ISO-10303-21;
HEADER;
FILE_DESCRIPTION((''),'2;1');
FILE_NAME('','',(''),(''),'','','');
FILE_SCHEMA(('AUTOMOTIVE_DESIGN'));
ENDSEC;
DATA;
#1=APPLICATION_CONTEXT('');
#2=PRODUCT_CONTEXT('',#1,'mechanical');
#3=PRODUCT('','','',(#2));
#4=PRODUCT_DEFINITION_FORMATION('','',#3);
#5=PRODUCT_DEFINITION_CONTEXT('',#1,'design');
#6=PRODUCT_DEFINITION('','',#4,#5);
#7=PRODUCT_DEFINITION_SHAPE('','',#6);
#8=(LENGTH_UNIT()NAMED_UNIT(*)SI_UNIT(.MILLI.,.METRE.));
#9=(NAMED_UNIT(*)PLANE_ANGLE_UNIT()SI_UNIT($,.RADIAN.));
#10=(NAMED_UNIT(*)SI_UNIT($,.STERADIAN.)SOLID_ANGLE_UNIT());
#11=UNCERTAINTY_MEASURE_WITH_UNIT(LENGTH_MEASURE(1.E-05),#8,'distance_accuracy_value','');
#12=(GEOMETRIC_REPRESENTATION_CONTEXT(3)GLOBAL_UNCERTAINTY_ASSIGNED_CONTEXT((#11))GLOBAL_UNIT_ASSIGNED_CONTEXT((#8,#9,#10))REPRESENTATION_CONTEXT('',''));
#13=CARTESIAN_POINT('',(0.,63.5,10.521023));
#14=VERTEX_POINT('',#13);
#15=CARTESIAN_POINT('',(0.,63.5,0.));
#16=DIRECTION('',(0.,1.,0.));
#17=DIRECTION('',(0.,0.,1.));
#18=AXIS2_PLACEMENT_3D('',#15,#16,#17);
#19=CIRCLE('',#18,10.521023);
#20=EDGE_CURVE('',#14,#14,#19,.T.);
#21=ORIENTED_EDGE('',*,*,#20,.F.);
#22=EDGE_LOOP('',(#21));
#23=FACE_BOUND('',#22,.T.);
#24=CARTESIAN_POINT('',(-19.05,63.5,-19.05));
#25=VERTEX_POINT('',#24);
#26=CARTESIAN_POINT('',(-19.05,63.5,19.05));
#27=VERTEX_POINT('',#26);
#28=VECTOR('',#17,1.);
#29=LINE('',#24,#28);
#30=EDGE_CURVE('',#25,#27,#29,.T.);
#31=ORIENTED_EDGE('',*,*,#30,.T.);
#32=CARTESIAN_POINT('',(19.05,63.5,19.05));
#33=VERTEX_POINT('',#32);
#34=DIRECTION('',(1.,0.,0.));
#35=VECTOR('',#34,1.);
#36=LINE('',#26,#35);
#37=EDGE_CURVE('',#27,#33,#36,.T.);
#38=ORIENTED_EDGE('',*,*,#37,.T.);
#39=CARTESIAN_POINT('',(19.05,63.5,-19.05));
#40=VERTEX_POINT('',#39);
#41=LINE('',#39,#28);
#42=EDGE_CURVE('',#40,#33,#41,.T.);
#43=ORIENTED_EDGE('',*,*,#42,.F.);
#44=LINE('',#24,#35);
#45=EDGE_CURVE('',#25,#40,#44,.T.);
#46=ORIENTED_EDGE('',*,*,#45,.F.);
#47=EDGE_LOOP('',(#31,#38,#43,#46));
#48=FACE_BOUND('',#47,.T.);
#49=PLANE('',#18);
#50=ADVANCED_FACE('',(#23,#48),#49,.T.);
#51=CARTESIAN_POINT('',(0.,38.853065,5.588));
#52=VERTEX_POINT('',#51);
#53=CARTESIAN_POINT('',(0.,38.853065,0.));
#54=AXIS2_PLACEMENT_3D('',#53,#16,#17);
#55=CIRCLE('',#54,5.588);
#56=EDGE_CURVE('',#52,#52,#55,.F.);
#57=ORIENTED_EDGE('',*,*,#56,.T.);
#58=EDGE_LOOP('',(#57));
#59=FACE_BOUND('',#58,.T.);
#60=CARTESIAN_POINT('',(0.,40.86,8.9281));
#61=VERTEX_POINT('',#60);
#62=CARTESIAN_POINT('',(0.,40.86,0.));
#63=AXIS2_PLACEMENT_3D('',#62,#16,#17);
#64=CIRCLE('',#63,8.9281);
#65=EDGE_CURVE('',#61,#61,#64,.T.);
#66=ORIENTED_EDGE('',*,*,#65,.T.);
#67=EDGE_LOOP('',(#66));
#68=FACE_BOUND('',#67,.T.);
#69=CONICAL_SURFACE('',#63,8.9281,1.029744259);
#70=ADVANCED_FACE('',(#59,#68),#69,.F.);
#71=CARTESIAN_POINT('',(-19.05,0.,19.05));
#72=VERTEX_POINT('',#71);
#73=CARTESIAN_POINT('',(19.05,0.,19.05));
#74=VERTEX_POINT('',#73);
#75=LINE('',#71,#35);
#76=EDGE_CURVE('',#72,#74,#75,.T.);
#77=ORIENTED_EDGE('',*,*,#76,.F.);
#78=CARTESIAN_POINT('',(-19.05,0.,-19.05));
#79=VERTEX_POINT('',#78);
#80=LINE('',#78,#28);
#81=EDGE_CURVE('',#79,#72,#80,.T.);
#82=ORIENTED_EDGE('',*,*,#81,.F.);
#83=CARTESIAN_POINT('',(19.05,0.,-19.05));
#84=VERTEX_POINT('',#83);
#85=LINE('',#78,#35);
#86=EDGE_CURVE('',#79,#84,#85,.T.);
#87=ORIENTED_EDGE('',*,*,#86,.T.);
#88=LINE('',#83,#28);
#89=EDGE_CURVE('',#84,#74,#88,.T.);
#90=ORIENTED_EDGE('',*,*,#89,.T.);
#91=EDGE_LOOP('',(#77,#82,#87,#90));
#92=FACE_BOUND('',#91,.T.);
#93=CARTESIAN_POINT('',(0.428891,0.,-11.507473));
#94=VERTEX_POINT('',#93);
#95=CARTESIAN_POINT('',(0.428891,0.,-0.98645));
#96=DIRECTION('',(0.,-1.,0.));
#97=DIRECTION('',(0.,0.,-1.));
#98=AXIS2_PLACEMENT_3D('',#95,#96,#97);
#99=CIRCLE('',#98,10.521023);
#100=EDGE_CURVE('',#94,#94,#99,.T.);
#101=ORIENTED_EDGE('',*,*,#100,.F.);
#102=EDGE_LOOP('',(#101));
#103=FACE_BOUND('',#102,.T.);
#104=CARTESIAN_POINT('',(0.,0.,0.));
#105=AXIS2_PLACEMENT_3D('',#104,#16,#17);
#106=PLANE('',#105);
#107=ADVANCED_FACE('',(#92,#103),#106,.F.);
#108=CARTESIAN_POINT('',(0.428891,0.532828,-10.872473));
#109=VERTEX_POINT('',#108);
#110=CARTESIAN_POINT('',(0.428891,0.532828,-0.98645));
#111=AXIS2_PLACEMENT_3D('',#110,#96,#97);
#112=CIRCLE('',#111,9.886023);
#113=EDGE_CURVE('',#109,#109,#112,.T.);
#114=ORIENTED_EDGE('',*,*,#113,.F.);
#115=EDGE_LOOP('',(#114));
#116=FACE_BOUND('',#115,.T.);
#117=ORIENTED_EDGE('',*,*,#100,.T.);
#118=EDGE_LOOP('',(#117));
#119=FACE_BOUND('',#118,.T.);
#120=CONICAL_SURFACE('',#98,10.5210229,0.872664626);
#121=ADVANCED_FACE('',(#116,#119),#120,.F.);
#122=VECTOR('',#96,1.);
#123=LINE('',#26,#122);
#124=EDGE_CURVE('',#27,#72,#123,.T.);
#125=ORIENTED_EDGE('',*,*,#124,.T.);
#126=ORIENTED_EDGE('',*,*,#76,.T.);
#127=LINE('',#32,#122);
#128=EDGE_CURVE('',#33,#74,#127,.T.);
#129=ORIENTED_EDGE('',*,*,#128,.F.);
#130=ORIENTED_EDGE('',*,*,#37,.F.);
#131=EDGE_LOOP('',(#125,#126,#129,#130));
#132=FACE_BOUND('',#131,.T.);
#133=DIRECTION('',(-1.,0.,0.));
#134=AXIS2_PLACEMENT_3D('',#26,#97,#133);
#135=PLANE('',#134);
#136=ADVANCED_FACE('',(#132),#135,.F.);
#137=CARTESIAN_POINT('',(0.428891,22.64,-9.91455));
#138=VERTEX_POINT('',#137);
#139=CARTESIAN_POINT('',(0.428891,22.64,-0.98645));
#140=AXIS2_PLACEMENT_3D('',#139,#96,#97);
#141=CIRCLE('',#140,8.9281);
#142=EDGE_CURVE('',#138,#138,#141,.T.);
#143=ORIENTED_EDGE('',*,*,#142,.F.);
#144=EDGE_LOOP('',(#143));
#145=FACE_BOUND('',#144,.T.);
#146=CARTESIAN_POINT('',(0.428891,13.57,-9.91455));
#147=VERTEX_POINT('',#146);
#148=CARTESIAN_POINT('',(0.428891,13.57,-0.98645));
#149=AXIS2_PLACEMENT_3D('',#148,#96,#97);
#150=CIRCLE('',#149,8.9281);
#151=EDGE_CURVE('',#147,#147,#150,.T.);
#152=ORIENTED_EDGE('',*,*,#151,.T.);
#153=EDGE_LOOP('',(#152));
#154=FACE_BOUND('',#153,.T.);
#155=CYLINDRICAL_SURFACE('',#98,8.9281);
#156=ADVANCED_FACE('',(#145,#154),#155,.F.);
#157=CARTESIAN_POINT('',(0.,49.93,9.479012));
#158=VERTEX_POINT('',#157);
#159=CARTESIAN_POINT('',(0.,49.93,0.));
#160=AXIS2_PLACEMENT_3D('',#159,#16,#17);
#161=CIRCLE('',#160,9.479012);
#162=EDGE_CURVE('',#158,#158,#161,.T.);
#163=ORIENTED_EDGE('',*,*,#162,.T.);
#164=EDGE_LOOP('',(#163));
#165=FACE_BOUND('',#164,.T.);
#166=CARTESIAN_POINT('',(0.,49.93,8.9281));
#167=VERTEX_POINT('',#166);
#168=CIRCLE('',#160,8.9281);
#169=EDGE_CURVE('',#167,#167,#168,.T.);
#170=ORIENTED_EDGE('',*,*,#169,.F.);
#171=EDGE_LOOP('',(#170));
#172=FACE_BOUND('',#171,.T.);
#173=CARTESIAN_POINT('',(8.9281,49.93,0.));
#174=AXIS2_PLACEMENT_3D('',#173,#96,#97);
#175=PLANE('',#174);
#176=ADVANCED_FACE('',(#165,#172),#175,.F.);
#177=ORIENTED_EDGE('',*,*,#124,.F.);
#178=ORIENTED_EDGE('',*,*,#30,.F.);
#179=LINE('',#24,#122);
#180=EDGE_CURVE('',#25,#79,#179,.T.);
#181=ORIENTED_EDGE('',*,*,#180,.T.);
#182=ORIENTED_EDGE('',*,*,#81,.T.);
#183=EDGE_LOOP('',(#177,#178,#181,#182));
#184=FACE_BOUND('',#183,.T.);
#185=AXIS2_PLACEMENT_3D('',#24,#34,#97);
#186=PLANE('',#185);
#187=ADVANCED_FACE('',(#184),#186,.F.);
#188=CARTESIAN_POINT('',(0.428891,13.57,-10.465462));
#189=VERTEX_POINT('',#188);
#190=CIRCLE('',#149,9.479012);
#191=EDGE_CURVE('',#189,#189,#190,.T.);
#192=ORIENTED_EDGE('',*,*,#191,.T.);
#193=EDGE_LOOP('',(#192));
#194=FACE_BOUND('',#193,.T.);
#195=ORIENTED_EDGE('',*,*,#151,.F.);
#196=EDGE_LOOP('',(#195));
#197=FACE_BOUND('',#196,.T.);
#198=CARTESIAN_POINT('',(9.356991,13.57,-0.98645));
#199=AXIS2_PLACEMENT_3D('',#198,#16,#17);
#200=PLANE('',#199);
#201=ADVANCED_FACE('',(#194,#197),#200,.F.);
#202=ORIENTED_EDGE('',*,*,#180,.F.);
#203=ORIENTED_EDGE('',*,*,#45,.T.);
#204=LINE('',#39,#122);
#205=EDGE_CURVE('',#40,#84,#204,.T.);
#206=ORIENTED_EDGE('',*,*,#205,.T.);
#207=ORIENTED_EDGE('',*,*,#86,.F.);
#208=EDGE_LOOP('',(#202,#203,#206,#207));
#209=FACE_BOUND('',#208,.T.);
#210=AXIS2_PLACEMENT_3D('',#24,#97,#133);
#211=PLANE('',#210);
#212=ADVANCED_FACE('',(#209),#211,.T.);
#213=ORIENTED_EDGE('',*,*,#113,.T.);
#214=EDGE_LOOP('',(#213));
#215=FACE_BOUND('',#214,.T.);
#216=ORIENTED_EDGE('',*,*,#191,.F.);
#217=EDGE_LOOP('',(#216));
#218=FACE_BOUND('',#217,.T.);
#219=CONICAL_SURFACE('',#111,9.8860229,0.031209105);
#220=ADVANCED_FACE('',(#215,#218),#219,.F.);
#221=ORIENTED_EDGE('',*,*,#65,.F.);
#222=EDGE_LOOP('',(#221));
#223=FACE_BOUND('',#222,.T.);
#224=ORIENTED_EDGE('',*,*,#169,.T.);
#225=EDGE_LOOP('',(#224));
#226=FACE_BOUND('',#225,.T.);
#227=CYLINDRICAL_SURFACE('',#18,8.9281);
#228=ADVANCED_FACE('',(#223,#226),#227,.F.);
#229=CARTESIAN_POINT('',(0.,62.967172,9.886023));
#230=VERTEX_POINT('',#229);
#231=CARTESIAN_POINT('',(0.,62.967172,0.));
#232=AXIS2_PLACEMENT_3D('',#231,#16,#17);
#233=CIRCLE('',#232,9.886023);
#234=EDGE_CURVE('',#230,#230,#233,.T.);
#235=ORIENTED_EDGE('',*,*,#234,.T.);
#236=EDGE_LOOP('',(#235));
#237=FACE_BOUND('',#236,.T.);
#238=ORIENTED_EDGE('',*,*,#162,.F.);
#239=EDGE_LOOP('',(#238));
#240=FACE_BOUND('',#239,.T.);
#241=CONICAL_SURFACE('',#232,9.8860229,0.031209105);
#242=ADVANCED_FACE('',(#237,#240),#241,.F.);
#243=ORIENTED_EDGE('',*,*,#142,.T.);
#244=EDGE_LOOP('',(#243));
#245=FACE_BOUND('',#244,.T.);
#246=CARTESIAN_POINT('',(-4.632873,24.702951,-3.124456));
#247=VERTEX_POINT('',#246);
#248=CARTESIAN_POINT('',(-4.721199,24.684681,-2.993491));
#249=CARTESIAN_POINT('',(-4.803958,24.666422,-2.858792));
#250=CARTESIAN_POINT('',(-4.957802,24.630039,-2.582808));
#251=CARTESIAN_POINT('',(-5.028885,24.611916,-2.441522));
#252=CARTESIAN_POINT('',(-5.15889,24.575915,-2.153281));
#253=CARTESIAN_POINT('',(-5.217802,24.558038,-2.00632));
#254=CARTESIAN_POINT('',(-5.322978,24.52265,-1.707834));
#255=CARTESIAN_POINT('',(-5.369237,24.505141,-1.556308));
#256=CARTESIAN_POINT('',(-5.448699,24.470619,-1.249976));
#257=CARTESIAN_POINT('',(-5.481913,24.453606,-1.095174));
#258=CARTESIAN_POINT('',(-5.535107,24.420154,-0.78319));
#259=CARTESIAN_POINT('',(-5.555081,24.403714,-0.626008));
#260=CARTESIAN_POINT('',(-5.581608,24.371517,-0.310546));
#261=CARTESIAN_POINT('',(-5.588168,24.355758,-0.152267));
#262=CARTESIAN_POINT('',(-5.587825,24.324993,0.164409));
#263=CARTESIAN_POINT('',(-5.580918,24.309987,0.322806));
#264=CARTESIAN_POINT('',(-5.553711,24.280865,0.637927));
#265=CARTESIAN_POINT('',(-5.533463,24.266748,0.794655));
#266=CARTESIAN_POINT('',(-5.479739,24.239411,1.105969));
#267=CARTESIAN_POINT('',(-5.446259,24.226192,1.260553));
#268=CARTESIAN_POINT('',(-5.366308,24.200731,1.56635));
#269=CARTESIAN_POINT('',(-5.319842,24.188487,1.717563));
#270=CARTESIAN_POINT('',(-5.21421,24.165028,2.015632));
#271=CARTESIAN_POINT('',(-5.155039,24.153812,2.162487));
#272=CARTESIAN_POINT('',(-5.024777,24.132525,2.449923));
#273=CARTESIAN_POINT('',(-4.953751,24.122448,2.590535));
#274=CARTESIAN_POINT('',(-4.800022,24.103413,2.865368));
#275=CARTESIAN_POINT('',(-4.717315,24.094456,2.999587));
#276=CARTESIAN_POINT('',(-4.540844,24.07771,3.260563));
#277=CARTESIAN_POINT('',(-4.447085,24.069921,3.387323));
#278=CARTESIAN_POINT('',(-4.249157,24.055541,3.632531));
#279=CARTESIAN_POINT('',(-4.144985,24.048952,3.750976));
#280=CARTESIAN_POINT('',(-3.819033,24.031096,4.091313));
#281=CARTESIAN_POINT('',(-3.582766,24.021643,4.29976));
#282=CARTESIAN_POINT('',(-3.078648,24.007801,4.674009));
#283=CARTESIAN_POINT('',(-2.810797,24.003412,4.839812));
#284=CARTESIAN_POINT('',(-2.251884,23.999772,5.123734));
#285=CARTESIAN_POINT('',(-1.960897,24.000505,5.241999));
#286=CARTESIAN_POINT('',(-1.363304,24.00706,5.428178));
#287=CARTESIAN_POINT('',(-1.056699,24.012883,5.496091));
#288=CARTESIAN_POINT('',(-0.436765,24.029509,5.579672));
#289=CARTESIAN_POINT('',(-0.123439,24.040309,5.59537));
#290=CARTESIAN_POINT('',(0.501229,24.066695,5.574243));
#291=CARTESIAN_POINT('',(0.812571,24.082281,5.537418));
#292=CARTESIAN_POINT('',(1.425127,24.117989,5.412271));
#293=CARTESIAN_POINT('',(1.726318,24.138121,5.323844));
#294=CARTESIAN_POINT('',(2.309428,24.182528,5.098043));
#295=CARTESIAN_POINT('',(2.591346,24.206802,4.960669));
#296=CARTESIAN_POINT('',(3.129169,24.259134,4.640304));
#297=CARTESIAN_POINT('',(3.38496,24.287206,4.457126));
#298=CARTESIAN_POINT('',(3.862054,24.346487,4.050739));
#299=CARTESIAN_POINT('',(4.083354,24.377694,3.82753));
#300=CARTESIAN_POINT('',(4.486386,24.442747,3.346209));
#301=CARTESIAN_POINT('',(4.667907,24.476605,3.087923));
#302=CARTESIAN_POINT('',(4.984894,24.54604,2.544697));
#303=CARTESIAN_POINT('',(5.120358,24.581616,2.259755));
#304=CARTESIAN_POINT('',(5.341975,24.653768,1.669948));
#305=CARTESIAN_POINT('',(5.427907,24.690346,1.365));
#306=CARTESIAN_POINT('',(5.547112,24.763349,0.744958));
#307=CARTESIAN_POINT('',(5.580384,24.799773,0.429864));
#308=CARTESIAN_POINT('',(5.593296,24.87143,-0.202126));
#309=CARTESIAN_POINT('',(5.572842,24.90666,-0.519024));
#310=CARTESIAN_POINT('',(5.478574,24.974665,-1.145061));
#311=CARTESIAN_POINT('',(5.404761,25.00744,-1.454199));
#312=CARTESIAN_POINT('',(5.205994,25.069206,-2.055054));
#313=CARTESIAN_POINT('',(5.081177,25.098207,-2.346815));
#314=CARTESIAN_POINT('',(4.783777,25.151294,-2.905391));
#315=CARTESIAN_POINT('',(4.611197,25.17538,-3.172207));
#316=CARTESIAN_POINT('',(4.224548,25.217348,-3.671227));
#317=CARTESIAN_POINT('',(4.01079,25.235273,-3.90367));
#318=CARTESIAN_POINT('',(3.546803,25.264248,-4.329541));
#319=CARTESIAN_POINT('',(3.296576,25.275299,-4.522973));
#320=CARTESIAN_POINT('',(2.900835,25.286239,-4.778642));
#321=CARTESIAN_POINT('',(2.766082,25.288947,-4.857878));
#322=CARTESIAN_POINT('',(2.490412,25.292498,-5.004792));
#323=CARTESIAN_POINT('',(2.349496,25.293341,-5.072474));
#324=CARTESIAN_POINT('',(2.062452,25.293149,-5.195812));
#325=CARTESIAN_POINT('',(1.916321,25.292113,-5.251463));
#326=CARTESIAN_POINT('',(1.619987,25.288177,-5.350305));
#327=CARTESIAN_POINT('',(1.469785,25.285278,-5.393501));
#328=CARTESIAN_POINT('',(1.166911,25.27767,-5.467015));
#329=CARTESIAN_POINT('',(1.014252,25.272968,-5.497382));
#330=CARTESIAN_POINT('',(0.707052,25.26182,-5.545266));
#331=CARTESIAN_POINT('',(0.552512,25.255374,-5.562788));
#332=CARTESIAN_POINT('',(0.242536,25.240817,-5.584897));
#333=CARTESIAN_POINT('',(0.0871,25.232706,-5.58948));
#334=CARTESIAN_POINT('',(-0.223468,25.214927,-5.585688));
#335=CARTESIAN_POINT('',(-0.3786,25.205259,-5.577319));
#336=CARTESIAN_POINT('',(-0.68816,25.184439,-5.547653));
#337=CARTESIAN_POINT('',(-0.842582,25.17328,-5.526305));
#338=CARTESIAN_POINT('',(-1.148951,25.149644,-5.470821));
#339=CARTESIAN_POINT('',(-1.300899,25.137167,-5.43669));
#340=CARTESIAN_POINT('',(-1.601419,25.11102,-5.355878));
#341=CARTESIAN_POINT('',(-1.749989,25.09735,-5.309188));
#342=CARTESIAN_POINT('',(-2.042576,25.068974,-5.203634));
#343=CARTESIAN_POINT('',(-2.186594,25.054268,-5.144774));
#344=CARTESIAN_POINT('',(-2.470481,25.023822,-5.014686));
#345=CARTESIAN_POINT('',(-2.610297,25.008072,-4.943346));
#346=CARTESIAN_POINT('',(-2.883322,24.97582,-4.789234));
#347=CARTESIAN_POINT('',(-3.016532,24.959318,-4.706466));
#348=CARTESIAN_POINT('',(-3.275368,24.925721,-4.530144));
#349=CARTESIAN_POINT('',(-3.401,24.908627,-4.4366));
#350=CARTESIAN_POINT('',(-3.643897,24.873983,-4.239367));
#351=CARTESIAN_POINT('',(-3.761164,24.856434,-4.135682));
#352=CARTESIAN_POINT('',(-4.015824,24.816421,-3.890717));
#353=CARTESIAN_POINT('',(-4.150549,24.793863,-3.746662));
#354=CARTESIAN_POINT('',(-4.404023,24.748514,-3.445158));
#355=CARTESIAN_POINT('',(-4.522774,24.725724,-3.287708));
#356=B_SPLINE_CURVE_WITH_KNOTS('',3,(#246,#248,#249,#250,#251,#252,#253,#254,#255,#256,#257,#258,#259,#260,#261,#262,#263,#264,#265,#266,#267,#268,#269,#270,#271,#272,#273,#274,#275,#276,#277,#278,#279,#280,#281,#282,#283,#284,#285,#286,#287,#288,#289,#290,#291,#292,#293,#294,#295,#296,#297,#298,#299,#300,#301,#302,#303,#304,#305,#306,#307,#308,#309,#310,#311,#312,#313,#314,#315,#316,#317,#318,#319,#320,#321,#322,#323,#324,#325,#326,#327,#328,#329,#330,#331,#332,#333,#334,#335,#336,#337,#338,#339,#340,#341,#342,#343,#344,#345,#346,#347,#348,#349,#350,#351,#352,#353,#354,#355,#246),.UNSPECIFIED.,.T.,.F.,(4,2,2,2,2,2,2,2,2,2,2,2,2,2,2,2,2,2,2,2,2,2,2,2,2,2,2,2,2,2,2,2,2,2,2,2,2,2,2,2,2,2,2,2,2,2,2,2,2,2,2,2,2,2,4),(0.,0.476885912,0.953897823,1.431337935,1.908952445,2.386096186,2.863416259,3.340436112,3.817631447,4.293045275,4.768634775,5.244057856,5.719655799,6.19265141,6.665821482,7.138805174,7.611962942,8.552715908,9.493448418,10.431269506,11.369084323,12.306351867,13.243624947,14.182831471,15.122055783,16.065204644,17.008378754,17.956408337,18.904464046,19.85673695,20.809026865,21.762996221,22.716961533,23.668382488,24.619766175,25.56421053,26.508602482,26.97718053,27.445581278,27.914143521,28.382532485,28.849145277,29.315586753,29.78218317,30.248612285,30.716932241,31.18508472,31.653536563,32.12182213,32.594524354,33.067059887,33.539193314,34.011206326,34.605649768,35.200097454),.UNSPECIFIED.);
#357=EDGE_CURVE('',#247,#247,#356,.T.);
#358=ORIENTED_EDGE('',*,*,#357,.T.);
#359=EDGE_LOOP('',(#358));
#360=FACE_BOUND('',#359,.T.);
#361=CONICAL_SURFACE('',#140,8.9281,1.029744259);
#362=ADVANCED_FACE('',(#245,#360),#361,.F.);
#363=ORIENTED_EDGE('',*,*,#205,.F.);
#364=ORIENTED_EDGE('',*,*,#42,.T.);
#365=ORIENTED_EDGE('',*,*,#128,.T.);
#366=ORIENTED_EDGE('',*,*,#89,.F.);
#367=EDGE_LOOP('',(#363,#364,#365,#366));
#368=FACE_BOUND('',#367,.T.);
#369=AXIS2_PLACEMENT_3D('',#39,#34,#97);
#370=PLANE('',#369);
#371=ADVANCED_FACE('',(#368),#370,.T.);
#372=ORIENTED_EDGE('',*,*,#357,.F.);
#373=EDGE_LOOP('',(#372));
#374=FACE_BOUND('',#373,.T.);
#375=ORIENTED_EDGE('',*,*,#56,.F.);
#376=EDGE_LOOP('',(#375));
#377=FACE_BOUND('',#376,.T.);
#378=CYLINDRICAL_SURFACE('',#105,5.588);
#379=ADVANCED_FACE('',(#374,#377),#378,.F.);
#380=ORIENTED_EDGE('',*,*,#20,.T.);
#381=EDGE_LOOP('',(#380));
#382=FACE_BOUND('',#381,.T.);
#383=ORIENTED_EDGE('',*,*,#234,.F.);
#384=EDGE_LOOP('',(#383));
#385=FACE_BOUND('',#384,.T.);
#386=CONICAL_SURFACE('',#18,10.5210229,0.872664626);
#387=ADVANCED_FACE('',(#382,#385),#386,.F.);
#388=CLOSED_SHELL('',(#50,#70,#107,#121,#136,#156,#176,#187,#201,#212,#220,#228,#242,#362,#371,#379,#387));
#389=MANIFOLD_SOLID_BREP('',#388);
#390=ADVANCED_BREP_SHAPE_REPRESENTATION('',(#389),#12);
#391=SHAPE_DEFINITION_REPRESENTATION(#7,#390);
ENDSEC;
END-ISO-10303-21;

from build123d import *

# Parameters (mm, degrees)
SKETCH_1_W         = 38.1
SKETCH_1_H         = 38.1
EXTRUDE_1_DEPTH    = 63.5
SKETCH5_R          = 5.588
CUT_EXTRUDE1_DEPTH = 69.978656119


with BuildPart() as part:
    # 草图1 → 凸台-拉伸1 (new body)
    with BuildSketch(Plane(origin=(0, 0, 0), x_dir=(1, 0, 0), z_dir=(0, 1, 0))):
        Rectangle(SKETCH_1_W, SKETCH_1_H)
    extrude(amount=EXTRUDE_1_DEPTH)

    # Sketch2 → 1/2 NPT Tapped Hole2 (revolve, cut)
    with BuildSketch(Plane(origin=(0, 63.5, 0), x_dir=(0, 0, 1), z_dir=(1, 0, 0))):
        Polygon((0, 0), (0, 28.004543693), (8.9281, 22.64), (8.9281, 13.57), (9.479012286, 13.57), (9.8860229, 0.532828266), (10.5210229, 0), align=None)
    revolve(axis=Axis((0, 69.85, 0), (0, -1, 0)), mode=Mode.SUBTRACT)

    # Sketch4 → 1/2 NPT Tapped Hole1 (revolve, cut)
    with BuildSketch(Plane(origin=(0.428891136, 0, -0.986449612), x_dir=(0, 0, -1), z_dir=(1, 0, 0))):
        Polygon((0, 0), (0, 28.004543693), (8.9281, 22.64), (8.9281, 13.57), (9.479012286, 13.57), (9.8860229, 0.532828266), (10.5210229, 0), align=None)
    revolve(axis=Axis((0.428891136, -6.35, -0.986449612), (0, 1, 0)), mode=Mode.SUBTRACT)

    # Sketch5 → Cut-Extrude1 (cut, through all)
    with BuildSketch(Plane(origin=(0, 63.5, 0), x_dir=(1, 0, 0), z_dir=(0, 1, 0))):
        Circle(SKETCH5_R)
    extrude(amount=-CUT_EXTRUDE1_DEPTH, mode=Mode.SUBTRACT)


solid = part.part
